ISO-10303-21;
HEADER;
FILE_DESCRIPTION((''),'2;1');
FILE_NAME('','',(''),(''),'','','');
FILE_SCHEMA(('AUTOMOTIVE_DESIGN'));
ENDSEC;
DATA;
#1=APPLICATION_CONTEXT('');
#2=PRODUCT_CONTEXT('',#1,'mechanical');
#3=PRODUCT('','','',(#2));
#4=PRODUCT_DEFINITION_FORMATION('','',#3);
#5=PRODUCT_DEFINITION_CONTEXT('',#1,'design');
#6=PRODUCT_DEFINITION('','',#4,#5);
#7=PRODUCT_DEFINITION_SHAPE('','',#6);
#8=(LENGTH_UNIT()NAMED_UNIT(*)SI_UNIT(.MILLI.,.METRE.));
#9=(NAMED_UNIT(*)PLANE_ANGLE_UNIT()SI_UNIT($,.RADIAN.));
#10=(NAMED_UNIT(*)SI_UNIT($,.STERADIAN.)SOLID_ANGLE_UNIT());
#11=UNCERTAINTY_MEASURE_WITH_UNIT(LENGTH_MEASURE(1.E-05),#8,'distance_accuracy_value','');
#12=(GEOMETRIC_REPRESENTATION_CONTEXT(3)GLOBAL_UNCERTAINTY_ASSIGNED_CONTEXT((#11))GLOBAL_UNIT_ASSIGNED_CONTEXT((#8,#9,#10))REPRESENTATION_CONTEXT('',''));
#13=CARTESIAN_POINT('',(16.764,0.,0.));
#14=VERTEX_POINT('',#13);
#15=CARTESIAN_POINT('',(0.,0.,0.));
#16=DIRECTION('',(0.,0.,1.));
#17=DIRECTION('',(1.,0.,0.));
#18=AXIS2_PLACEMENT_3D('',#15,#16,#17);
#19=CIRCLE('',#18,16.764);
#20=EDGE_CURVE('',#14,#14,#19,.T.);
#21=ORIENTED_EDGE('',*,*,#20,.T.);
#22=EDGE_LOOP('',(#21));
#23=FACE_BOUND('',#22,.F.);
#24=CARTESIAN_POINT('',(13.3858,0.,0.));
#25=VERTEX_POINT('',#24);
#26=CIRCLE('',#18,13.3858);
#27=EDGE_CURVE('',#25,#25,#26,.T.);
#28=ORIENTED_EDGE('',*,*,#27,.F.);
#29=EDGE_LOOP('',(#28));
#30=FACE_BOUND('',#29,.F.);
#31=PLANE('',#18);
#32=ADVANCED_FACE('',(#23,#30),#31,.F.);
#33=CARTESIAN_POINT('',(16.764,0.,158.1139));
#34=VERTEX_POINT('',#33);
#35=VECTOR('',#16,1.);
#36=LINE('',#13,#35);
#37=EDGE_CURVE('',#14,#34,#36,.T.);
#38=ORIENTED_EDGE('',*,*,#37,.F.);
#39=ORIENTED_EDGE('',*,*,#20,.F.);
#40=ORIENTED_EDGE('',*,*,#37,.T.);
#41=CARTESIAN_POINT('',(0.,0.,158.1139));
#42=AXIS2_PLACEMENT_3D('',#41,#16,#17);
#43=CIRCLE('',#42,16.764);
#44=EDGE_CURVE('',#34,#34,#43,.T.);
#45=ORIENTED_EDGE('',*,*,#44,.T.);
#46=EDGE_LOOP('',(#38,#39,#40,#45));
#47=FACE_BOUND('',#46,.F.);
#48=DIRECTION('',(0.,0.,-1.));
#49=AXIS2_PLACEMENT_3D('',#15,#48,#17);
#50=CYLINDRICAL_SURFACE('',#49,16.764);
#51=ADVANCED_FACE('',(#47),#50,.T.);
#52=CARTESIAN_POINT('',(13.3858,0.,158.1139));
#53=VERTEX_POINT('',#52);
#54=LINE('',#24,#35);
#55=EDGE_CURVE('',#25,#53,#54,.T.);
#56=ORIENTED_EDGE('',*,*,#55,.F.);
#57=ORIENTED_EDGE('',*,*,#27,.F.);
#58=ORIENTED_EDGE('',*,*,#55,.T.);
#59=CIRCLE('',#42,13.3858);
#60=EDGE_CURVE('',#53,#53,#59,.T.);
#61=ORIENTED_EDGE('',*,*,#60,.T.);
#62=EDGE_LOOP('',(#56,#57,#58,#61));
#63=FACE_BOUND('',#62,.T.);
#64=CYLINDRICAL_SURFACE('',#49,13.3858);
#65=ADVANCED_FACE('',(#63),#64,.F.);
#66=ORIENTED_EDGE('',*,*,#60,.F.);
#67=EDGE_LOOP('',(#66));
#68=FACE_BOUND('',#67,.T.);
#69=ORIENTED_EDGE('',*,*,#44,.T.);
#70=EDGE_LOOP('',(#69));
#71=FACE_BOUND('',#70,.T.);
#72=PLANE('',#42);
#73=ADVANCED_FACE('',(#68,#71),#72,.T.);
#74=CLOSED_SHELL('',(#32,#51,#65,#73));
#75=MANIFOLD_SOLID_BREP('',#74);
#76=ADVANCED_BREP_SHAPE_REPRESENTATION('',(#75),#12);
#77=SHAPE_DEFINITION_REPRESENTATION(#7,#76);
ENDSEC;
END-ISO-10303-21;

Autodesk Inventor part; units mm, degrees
ref_plane "YZ Plane" through (0, 0, 0) normal (1, 0, 0) x (0, 1, 0)
ref_plane "Start plane" through (0, 0, 0) normal (0, 0, 1) x (1, 0, 0)
ref_plane "End plane" through (0, 0, 158.1139) normal (0, 0, 1) x (1, 0, 0)
sketch "Sketch" plane through (0, 0, 0) normal (0, 0, 1) x (1, 0, 0)
  circle A0 centre (0, 0) radius 13.3858
  circle A1 centre (0, 0) radius 16.764
  dimension "d0" = 33.528
  dimension "d1" = 3.3782
extrude "Body" add sketch "Sketch" along normal up to surface (158.1139 mm away) from surface at 0
sketch "Sketch3" plane through (0, 0, 0) normal (0, 0, 1) x (1, 0, 0)
  line L0 (0, 0) -> (10, 0)
ref_plane "Work Plane3" through (0, 0, 0) normal (0, -1, 0) x (1, 0, 0)
sketch "Sketch4" plane through (0, 0, 0) normal (0, -1, 0) x (1, 0, 0)
  line L0 (-2, 0) -> (12, 0) projected
  line L1 (-2, 158.1139) -> (12, 158.1139) projected
  dimension "d7" = 158.1139
equation "\"d0\" = G_H"
equation "\"d1\" = G_T"
equation "\"d2\" = G_L"
equation "\"G_H\" = 33.528"
equation "\"G_T\" = 3.3782"
equation "\"G_L\" = d7"
equation "\"G_OFFSET_START\" = 0"
equation "\"G_OFFSET_END\" = 0"
equation "\"d5\" = G_OFFSET_END + B_L"
equation "\"B_L\" = 158.11388"
properties part number "ANSI - 1 x 0.133 - 6.225" material "Steel, Mild"
